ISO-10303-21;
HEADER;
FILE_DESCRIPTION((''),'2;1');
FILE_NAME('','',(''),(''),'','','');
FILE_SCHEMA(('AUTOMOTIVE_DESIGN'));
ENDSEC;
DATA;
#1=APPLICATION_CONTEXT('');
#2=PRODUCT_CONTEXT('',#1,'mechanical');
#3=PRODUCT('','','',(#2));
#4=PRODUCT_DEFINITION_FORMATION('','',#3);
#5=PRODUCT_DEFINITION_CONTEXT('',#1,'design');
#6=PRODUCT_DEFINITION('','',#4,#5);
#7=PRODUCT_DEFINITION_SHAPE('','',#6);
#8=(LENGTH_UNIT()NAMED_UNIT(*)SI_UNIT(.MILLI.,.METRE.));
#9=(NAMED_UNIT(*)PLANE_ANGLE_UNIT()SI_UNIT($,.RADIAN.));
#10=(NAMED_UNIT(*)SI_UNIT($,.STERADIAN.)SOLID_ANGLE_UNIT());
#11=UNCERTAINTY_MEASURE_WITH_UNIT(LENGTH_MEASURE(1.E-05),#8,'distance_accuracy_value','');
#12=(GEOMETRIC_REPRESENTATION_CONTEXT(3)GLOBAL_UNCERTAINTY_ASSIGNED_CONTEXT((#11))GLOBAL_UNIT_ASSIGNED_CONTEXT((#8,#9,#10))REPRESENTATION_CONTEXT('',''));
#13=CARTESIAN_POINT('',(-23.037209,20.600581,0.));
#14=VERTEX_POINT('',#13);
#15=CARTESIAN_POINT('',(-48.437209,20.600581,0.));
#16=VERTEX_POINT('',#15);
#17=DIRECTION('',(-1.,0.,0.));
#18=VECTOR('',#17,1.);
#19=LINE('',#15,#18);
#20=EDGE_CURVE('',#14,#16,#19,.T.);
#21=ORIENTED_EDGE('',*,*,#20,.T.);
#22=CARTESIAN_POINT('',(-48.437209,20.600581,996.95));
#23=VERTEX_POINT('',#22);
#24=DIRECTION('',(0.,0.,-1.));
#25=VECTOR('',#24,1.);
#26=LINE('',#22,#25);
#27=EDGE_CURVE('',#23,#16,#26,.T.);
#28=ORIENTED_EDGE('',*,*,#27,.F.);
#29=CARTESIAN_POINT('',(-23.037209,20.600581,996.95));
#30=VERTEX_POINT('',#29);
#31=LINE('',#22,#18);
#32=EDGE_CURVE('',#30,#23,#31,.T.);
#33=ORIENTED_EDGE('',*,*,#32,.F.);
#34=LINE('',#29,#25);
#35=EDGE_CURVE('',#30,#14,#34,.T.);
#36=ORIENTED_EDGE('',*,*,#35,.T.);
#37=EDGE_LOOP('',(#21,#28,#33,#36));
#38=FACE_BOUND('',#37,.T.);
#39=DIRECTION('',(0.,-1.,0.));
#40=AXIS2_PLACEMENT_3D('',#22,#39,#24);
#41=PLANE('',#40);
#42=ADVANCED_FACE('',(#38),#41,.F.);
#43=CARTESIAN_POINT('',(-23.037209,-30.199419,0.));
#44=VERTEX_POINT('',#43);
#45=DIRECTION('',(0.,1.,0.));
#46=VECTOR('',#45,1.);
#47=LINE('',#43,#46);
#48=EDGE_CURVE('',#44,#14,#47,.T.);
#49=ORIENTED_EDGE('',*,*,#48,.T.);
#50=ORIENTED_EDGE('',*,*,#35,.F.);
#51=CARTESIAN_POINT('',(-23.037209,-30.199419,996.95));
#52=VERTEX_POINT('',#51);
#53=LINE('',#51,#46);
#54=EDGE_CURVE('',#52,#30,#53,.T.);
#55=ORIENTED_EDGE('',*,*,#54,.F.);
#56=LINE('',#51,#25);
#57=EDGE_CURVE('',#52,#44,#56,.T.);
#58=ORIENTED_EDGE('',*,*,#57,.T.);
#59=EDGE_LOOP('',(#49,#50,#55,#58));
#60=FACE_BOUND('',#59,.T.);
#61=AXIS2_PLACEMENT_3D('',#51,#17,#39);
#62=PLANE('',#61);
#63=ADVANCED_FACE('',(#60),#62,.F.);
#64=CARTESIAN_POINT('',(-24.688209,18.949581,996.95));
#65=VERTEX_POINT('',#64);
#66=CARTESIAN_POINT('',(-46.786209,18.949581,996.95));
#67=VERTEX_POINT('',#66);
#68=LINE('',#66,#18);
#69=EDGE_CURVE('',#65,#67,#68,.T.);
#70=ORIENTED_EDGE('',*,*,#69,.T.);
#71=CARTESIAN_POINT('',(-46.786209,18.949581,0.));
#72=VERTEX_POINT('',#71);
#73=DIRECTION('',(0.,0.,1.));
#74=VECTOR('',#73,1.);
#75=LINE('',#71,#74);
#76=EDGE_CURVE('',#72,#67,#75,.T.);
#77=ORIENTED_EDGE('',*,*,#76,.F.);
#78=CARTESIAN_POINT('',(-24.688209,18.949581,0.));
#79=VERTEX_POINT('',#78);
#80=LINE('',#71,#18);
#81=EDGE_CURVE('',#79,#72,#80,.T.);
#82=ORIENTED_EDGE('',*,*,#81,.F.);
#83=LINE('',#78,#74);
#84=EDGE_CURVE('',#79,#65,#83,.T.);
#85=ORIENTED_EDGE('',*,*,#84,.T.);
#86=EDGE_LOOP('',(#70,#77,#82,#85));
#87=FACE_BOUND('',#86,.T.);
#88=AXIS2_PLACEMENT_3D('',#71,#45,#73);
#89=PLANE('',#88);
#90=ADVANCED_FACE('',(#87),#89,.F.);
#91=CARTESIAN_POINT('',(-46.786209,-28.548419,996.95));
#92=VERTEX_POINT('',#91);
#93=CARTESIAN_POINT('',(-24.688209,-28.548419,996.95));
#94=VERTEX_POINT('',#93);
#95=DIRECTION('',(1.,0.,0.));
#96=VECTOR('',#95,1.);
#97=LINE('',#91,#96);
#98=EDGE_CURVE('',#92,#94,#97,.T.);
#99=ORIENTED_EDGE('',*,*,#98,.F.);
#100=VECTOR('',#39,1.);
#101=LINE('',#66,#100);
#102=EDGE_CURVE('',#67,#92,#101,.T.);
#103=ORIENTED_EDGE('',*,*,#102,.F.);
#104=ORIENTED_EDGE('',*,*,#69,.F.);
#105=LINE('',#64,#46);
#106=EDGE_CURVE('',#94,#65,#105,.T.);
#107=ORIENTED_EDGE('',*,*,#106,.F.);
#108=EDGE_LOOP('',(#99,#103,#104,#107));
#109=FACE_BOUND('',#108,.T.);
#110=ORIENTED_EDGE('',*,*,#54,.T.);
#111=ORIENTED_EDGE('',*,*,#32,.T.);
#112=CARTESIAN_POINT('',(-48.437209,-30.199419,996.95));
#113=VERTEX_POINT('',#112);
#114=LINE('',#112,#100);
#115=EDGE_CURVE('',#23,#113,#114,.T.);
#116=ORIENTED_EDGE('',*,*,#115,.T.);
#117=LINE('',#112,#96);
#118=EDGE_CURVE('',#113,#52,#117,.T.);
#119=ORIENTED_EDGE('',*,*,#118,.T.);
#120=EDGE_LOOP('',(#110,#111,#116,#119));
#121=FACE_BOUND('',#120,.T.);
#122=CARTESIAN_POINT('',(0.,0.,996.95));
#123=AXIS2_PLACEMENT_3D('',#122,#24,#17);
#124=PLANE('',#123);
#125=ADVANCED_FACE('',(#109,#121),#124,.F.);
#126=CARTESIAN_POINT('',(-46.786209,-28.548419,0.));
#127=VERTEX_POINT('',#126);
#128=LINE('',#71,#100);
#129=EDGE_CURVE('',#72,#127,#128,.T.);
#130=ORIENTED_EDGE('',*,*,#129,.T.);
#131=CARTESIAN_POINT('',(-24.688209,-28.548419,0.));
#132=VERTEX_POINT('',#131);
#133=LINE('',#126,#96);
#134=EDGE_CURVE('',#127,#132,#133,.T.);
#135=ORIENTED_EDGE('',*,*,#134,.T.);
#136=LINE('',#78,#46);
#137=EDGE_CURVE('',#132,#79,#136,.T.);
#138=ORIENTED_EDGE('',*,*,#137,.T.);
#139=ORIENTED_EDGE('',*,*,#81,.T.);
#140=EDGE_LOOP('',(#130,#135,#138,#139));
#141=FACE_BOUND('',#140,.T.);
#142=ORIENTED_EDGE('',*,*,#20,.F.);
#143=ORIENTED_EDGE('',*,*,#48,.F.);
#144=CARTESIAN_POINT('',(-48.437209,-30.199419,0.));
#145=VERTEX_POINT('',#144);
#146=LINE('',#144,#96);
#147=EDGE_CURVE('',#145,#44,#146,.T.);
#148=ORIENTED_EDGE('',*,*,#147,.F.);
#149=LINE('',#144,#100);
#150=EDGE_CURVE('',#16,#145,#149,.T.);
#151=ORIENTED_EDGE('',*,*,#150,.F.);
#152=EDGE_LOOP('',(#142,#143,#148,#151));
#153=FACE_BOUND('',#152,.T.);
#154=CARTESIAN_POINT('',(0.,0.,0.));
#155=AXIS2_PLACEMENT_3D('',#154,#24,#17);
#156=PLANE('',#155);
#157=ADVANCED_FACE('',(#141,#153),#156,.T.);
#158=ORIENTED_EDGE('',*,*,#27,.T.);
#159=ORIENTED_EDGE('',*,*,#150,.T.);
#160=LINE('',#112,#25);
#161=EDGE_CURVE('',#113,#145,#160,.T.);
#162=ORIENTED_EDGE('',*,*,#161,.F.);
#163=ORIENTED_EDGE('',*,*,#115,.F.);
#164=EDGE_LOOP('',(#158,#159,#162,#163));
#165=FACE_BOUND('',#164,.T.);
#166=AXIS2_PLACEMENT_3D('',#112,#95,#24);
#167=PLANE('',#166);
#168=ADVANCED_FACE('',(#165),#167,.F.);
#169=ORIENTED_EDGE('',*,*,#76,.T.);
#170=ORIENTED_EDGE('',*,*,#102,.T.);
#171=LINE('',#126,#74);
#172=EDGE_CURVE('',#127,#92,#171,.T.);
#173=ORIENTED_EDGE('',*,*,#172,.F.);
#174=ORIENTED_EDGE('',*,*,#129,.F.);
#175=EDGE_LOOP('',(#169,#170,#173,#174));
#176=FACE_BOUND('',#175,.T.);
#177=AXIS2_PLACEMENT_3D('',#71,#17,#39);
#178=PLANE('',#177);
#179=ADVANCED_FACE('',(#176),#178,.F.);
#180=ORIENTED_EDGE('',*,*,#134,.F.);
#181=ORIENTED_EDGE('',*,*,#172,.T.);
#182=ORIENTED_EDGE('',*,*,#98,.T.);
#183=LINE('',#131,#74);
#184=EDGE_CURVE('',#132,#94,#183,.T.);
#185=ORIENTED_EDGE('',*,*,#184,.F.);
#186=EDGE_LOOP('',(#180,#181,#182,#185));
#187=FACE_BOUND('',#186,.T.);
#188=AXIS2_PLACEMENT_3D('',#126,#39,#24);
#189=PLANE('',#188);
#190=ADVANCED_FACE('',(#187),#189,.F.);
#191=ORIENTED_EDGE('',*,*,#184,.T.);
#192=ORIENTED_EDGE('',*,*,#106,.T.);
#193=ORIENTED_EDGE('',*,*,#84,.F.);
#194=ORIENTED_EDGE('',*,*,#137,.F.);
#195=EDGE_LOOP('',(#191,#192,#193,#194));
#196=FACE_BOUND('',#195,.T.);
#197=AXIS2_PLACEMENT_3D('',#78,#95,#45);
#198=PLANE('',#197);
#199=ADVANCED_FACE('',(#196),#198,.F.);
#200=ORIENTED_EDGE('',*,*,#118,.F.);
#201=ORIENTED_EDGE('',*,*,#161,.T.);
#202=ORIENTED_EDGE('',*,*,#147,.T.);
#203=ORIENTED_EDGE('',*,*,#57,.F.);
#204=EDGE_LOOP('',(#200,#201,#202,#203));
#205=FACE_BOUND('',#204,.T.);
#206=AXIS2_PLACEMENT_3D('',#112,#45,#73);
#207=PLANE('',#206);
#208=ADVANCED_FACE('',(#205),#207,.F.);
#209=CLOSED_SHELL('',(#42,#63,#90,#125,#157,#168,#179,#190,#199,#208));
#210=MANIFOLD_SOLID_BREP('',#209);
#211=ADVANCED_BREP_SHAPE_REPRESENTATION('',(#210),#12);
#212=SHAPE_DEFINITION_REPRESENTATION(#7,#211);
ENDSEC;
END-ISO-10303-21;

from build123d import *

# Parameters (mm, degrees)
SKETCH1_W           = 25.4
SKETCH1_H           = 50.8
BOSS_EXTRUDE1_DEPTH = 996.95
SKETCH2_W           = 22.098
SKETCH2_H           = 47.498
CUT_EXTRUDE1_DEPTH  = 999.582730989


with BuildPart() as part:
    # Sketch1 → Boss-Extrude1 (new body)
    with BuildSketch(Plane.XY):
        with Locations((-35.737209302, -4.799418605)):
            Rectangle(SKETCH1_W, SKETCH1_H)
    extrude(amount=BOSS_EXTRUDE1_DEPTH)

    # Sketch2 → Cut-Extrude1 (cut, through all)
    with BuildSketch(Plane.XY.offset(996.95)):
        with Locations((-35.737209302, -4.799418605)):
            Rectangle(SKETCH2_W, SKETCH2_H)
    extrude(amount=-CUT_EXTRUDE1_DEPTH, mode=Mode.SUBTRACT)


solid = part.part
